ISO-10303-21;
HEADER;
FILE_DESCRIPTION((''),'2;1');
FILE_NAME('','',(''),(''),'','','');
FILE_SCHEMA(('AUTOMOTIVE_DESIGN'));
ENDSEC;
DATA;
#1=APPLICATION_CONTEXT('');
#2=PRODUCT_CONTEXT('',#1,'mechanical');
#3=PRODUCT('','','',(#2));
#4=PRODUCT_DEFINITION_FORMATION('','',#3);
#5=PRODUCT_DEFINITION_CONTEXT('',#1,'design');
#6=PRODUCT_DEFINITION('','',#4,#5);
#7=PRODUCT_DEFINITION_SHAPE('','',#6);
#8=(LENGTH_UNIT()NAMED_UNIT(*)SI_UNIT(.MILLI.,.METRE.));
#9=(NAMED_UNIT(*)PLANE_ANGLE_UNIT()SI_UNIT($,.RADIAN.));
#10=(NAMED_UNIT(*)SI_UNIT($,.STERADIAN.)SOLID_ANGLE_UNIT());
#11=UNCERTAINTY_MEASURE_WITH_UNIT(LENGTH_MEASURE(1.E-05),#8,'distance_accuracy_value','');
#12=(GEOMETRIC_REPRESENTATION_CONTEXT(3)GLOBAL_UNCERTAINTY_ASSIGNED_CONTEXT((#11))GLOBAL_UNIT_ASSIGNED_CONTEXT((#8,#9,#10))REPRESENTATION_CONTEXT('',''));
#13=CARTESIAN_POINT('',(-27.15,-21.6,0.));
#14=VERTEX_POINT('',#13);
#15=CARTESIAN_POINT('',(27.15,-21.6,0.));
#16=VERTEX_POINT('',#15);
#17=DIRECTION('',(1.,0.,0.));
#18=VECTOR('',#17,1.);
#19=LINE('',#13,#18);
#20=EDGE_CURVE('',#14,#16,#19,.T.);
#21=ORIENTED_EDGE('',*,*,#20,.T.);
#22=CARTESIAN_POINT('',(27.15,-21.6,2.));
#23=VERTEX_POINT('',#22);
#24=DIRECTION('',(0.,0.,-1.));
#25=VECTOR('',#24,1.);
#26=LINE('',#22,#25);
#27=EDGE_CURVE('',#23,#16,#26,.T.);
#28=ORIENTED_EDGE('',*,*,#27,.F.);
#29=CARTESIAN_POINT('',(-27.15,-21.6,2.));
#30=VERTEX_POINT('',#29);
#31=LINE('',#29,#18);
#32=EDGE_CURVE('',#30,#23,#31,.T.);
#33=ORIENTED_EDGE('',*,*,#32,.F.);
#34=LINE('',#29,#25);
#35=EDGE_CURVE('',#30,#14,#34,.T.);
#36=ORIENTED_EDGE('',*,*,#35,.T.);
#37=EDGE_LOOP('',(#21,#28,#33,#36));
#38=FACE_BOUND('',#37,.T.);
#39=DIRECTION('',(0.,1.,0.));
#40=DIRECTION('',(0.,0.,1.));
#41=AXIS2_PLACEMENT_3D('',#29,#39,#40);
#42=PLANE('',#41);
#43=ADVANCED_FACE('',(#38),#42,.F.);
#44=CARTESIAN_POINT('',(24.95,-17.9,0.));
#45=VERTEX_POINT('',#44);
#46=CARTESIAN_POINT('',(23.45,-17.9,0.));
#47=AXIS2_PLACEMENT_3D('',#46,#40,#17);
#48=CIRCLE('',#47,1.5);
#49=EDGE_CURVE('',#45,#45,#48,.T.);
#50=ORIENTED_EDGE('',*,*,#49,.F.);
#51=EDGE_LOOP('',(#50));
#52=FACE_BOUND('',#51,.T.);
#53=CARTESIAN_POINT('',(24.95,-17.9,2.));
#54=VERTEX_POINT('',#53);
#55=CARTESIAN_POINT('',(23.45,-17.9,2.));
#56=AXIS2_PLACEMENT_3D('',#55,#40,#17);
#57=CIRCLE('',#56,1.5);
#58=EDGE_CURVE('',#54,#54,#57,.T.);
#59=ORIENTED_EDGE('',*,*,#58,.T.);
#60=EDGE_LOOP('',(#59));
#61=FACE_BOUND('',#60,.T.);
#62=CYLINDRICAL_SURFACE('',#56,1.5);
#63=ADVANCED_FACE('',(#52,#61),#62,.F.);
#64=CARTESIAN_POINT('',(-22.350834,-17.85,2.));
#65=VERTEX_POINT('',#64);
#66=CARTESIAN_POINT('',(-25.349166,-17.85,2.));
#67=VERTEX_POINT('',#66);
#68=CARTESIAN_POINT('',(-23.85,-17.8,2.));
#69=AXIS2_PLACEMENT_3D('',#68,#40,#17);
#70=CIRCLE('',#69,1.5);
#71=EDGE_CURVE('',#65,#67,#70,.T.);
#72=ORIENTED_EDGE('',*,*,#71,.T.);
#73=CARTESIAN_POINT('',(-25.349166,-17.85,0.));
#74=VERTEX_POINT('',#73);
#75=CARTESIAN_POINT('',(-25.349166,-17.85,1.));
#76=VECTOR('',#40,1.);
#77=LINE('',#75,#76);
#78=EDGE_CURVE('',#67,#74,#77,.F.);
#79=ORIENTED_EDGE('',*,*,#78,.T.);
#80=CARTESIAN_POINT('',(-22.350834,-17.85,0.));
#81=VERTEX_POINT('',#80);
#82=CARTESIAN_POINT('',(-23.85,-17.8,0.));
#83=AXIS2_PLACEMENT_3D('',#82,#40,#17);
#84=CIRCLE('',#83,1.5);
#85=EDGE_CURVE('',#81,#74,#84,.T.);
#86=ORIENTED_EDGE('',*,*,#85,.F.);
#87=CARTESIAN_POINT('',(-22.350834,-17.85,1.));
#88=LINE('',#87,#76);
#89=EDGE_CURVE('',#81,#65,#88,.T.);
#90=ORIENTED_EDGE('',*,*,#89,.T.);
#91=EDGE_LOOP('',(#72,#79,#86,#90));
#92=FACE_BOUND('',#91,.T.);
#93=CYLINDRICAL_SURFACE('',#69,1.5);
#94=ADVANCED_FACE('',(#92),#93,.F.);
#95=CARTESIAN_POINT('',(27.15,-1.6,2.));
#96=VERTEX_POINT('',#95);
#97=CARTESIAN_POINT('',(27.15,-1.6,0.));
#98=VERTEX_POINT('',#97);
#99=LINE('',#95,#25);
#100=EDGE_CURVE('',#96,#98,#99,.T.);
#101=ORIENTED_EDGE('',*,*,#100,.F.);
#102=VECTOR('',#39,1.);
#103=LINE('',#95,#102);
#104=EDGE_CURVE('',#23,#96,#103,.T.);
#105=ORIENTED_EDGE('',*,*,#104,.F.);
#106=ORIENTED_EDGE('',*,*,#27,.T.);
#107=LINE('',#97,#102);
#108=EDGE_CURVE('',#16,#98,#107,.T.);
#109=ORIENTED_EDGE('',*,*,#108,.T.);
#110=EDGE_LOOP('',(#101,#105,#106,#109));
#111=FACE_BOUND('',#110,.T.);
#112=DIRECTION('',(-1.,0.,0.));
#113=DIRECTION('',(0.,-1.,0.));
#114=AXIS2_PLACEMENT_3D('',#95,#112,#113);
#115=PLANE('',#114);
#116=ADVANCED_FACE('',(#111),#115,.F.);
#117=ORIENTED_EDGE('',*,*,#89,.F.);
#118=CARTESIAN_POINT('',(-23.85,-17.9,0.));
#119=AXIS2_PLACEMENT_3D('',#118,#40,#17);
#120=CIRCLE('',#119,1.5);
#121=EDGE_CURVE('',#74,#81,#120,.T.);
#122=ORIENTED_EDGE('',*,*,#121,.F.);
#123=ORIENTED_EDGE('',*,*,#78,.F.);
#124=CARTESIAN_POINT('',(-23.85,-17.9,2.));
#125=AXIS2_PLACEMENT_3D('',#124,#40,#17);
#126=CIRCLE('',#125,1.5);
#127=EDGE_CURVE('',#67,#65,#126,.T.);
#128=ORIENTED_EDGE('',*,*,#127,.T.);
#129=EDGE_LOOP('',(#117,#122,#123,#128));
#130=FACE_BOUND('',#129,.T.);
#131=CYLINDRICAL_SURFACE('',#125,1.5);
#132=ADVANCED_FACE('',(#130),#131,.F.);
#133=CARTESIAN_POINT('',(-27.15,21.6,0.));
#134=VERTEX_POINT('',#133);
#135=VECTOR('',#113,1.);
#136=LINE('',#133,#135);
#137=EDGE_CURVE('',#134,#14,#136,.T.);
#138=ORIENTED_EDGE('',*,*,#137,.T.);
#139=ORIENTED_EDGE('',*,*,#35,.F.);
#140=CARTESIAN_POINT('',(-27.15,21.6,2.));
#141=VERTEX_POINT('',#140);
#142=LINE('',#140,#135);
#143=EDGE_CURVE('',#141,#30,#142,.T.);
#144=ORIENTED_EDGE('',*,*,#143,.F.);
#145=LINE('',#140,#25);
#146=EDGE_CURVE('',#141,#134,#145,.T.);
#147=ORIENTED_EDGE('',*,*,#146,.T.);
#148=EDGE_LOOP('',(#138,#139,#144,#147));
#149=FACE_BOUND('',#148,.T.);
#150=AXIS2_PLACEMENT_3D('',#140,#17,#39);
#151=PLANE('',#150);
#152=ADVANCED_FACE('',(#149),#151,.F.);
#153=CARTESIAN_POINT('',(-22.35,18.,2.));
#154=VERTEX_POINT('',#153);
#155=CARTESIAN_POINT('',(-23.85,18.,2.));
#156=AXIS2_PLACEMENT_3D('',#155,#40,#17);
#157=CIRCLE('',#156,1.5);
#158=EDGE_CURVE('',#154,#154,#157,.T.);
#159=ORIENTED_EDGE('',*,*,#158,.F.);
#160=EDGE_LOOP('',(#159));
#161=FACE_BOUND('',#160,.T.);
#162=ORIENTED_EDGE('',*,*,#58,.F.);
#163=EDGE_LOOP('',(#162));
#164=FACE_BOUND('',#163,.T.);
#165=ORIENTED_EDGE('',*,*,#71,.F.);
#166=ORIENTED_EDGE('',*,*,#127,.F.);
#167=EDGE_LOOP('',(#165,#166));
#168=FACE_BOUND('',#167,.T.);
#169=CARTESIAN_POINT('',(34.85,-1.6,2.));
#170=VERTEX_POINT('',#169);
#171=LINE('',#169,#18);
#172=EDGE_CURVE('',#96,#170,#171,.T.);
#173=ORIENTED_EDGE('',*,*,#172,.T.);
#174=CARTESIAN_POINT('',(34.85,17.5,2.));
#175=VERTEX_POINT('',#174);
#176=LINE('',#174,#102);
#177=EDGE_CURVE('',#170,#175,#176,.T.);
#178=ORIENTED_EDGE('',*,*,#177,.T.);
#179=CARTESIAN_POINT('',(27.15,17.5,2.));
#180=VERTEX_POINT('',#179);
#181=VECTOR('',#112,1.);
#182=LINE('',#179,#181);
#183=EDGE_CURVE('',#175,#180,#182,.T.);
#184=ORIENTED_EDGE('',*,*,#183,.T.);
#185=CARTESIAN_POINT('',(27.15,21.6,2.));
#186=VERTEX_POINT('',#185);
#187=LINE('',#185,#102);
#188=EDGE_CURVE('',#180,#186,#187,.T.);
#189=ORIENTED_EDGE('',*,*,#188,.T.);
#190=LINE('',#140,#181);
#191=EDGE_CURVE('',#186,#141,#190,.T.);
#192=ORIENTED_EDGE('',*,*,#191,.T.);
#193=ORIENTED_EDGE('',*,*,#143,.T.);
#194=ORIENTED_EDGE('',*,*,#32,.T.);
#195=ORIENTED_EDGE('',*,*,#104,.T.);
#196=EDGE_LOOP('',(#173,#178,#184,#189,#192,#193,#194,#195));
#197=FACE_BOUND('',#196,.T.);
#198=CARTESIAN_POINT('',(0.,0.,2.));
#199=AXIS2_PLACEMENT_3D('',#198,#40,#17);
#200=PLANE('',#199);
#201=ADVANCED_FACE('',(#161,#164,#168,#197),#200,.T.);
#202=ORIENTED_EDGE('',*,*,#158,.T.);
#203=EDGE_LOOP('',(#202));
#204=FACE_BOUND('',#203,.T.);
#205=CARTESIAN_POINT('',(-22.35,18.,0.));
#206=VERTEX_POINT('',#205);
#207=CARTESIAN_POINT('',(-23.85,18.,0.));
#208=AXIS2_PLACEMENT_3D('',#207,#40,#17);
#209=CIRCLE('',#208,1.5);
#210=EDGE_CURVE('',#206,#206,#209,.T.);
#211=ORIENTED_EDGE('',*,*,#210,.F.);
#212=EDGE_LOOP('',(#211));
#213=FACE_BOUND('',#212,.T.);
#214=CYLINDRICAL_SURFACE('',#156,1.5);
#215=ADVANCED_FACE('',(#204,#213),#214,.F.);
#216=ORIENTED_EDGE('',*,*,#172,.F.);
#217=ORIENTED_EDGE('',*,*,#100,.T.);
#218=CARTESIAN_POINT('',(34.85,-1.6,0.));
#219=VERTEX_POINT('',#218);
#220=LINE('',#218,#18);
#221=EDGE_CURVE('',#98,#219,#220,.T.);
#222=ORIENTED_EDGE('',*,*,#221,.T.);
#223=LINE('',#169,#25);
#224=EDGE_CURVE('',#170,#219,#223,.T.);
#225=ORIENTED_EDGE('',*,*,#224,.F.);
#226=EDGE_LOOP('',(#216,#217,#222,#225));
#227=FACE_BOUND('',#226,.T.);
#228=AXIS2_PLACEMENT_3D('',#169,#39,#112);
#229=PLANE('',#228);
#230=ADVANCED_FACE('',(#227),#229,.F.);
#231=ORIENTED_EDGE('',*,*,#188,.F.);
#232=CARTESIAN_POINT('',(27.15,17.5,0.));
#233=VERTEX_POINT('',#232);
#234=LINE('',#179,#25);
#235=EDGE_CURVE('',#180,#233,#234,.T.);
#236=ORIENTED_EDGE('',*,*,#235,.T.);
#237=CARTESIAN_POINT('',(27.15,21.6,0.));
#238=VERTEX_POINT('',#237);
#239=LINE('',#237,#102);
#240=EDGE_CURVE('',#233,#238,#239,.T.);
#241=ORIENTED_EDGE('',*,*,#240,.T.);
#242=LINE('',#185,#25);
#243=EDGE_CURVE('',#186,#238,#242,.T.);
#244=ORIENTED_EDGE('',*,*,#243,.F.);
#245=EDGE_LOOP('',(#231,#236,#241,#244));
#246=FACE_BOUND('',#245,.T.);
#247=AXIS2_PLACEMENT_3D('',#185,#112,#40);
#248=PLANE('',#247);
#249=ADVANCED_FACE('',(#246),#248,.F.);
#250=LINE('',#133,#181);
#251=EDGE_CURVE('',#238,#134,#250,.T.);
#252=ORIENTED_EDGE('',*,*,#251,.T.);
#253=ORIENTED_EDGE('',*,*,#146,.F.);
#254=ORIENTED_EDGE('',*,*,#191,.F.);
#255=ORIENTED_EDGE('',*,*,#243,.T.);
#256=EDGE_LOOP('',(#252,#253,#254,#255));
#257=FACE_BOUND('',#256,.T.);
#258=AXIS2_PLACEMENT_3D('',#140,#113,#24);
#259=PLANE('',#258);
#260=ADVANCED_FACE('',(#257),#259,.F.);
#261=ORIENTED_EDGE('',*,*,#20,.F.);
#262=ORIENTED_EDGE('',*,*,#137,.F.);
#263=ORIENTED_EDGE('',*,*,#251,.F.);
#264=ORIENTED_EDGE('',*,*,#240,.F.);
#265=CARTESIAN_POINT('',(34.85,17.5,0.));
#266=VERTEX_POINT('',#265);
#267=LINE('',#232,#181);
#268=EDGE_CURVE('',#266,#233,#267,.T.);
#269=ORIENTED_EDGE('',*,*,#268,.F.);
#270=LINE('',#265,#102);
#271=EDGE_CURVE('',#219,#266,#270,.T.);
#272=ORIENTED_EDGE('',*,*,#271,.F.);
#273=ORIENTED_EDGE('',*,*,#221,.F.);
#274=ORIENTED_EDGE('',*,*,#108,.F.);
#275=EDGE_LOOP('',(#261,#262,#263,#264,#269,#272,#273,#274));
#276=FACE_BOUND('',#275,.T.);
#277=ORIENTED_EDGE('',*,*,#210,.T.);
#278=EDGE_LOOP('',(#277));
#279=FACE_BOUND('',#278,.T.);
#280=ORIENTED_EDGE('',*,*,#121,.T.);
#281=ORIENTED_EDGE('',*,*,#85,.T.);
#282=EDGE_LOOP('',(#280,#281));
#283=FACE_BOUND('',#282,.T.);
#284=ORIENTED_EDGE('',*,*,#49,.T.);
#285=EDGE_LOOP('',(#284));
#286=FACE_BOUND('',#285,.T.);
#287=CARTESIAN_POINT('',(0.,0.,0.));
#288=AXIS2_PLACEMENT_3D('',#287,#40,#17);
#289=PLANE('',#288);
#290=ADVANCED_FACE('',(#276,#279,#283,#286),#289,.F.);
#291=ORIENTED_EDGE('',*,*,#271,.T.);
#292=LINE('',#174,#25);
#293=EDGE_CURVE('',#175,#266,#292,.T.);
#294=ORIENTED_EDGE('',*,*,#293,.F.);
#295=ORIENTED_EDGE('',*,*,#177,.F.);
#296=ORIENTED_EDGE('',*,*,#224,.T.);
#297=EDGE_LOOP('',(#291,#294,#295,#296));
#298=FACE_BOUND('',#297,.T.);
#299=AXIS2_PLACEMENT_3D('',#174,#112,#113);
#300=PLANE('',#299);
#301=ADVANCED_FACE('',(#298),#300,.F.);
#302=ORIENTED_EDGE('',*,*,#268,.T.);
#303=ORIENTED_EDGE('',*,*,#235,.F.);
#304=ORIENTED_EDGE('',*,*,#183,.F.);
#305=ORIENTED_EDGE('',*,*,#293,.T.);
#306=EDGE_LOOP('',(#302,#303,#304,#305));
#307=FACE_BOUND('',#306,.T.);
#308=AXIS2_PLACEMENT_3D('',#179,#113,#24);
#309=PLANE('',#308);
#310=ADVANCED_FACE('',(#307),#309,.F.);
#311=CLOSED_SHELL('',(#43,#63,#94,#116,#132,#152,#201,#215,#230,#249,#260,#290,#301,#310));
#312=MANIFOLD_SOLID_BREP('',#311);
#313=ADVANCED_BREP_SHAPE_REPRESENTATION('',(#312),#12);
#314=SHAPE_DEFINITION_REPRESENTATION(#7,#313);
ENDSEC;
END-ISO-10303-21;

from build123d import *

# Parameters (mm, degrees)
BOSS_EXTRU_1_DEPTH     = 2
D_GAGEMENT_M3_51_D     = 3
D_GAGEMENT_M3_51_DEPTH = 2


with BuildPart() as part:
    # Esquisse1 → Boss.-Extru.1 (new body)
    with BuildSketch(Plane.XY):
        Polygon((27.15, 17.5), (34.85, 17.5), (34.85, -1.6), (27.15, -1.6), (27.15, -21.6), (-27.15, -21.6), (-27.15, 21.6), (27.15, 21.6), align=None)
    extrude(amount=BOSS_EXTRU_1_DEPTH)

    # Dégagement M3.51
    with Locations(Plane.XY.offset(2)):
        with Locations((-23.85, 18), (-23.85, -17.9), (-23.85, -17.8), (23.45, -17.9)):
            Hole(D_GAGEMENT_M3_51_D / 2, depth=D_GAGEMENT_M3_51_DEPTH)


solid = part.part
